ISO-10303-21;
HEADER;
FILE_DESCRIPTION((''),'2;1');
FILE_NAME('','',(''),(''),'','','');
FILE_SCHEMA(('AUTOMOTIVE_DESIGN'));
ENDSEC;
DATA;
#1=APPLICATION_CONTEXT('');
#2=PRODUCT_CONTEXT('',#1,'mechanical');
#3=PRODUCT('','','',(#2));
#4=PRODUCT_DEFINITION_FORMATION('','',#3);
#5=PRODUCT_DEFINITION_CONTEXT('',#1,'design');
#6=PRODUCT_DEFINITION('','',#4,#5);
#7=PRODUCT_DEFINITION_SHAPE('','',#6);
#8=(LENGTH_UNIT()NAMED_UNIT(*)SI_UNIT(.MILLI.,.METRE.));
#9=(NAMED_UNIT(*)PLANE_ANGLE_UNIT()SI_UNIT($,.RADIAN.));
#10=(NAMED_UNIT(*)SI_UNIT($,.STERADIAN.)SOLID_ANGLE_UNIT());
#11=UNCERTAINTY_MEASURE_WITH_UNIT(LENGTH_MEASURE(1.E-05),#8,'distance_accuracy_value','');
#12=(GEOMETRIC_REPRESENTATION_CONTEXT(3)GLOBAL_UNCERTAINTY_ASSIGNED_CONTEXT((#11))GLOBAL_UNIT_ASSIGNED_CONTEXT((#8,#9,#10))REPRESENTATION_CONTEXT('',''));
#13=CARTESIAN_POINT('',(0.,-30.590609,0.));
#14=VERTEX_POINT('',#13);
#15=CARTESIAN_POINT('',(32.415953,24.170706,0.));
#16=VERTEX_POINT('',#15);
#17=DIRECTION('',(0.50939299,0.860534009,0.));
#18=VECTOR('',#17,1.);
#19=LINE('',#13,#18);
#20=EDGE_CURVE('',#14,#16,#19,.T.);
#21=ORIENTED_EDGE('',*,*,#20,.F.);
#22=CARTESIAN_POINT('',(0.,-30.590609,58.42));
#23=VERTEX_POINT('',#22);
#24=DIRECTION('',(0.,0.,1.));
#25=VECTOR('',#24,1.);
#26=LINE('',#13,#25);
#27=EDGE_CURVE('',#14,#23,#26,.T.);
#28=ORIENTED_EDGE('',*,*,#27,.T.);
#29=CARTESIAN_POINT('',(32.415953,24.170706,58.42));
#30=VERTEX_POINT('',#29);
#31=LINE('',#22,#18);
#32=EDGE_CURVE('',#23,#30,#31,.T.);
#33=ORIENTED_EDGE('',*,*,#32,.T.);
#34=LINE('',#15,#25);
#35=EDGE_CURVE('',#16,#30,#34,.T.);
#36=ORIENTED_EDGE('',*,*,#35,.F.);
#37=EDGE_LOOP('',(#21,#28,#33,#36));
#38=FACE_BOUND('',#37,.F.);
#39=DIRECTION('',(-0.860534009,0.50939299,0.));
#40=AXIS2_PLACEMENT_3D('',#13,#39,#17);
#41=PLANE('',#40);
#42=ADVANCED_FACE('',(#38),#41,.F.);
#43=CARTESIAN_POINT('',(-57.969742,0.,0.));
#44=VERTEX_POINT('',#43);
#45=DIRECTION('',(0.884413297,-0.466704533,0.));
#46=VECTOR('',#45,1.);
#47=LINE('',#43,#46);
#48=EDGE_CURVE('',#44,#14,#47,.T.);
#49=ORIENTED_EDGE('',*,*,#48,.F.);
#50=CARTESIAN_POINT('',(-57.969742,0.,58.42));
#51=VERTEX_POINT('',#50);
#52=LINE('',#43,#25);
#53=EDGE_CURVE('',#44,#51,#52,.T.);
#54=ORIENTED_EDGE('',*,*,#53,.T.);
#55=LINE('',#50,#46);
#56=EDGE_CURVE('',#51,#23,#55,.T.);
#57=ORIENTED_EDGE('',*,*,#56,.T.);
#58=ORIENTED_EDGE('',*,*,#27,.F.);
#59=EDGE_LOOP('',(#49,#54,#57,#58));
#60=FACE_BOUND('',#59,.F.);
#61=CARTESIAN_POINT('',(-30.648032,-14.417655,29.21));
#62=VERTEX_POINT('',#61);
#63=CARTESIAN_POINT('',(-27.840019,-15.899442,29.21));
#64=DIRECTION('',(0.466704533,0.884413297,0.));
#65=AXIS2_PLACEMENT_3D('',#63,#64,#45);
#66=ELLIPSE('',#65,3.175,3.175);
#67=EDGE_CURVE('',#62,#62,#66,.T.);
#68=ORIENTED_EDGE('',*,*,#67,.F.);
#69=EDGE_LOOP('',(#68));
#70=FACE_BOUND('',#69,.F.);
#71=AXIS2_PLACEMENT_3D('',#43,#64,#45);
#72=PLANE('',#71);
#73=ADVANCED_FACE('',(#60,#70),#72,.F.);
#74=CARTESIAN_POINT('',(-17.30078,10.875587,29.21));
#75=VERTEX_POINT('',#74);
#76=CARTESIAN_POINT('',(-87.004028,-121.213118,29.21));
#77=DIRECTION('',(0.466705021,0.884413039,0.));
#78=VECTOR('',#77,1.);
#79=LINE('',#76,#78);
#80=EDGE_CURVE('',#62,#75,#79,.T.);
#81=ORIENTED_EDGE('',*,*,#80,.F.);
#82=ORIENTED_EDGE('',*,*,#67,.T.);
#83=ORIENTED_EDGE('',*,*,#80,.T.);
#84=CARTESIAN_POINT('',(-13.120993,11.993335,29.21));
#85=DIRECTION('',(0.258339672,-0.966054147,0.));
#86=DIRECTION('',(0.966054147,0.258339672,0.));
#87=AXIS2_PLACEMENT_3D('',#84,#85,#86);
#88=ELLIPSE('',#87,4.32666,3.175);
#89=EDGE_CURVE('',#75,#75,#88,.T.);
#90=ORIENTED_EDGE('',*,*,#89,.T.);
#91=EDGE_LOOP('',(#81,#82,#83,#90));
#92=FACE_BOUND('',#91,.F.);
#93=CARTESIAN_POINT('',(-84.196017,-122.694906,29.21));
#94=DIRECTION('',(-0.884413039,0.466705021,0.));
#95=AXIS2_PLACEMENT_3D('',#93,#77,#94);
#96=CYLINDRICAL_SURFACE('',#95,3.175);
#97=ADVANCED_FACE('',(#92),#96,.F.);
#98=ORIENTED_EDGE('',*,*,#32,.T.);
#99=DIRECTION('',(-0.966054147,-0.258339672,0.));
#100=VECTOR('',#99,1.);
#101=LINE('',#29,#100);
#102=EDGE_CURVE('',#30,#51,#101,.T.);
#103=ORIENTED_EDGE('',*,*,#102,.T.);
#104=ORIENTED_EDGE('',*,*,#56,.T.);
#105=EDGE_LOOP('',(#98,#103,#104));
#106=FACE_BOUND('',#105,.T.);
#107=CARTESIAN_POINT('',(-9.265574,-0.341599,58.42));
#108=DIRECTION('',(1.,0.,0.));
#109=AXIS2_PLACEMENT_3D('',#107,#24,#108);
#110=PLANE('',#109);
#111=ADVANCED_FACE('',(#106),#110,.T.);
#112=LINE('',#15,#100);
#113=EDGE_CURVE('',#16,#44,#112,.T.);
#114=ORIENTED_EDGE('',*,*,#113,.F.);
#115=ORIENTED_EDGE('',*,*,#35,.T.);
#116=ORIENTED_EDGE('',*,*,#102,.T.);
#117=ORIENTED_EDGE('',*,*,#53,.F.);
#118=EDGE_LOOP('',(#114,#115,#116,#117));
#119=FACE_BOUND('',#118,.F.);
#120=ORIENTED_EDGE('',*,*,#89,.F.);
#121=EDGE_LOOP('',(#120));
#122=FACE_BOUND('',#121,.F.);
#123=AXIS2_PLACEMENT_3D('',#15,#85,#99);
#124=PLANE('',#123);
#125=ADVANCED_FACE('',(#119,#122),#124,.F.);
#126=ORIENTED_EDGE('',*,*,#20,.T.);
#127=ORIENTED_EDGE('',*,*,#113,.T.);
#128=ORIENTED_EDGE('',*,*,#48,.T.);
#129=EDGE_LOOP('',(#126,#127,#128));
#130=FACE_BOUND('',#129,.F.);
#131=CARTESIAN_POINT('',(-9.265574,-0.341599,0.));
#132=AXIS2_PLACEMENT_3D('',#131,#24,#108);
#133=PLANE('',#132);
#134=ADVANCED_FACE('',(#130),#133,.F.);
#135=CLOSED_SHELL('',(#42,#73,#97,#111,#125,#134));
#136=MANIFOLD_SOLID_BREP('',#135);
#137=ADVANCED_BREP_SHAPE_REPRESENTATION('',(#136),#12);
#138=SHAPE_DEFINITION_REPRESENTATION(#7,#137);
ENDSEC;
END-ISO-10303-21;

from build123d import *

# Parameters (mm, degrees)
F1_DEPTH = 58.42
F3_D     = 6.35


with BuildPart() as f1:
    # F0 (on Top) → F1 (new body)
    with BuildSketch(Plane.XY):
        Polygon((0, -30.590609), (32.415953, 24.170706), (-57.969742, 0), align=None)
    extrude(amount=F1_DEPTH)

    # F3 (through all)
    with Locations(Plane(origin=(-12.62657, -23.927573, 0), x_dir=(0.884413, -0.466705, 0), z_dir=(-0.466705, -0.884413, 0))):
        with Locations((-17.201742, 29.21)):
            Hole(F3_D / 2)


solid = f1.part
